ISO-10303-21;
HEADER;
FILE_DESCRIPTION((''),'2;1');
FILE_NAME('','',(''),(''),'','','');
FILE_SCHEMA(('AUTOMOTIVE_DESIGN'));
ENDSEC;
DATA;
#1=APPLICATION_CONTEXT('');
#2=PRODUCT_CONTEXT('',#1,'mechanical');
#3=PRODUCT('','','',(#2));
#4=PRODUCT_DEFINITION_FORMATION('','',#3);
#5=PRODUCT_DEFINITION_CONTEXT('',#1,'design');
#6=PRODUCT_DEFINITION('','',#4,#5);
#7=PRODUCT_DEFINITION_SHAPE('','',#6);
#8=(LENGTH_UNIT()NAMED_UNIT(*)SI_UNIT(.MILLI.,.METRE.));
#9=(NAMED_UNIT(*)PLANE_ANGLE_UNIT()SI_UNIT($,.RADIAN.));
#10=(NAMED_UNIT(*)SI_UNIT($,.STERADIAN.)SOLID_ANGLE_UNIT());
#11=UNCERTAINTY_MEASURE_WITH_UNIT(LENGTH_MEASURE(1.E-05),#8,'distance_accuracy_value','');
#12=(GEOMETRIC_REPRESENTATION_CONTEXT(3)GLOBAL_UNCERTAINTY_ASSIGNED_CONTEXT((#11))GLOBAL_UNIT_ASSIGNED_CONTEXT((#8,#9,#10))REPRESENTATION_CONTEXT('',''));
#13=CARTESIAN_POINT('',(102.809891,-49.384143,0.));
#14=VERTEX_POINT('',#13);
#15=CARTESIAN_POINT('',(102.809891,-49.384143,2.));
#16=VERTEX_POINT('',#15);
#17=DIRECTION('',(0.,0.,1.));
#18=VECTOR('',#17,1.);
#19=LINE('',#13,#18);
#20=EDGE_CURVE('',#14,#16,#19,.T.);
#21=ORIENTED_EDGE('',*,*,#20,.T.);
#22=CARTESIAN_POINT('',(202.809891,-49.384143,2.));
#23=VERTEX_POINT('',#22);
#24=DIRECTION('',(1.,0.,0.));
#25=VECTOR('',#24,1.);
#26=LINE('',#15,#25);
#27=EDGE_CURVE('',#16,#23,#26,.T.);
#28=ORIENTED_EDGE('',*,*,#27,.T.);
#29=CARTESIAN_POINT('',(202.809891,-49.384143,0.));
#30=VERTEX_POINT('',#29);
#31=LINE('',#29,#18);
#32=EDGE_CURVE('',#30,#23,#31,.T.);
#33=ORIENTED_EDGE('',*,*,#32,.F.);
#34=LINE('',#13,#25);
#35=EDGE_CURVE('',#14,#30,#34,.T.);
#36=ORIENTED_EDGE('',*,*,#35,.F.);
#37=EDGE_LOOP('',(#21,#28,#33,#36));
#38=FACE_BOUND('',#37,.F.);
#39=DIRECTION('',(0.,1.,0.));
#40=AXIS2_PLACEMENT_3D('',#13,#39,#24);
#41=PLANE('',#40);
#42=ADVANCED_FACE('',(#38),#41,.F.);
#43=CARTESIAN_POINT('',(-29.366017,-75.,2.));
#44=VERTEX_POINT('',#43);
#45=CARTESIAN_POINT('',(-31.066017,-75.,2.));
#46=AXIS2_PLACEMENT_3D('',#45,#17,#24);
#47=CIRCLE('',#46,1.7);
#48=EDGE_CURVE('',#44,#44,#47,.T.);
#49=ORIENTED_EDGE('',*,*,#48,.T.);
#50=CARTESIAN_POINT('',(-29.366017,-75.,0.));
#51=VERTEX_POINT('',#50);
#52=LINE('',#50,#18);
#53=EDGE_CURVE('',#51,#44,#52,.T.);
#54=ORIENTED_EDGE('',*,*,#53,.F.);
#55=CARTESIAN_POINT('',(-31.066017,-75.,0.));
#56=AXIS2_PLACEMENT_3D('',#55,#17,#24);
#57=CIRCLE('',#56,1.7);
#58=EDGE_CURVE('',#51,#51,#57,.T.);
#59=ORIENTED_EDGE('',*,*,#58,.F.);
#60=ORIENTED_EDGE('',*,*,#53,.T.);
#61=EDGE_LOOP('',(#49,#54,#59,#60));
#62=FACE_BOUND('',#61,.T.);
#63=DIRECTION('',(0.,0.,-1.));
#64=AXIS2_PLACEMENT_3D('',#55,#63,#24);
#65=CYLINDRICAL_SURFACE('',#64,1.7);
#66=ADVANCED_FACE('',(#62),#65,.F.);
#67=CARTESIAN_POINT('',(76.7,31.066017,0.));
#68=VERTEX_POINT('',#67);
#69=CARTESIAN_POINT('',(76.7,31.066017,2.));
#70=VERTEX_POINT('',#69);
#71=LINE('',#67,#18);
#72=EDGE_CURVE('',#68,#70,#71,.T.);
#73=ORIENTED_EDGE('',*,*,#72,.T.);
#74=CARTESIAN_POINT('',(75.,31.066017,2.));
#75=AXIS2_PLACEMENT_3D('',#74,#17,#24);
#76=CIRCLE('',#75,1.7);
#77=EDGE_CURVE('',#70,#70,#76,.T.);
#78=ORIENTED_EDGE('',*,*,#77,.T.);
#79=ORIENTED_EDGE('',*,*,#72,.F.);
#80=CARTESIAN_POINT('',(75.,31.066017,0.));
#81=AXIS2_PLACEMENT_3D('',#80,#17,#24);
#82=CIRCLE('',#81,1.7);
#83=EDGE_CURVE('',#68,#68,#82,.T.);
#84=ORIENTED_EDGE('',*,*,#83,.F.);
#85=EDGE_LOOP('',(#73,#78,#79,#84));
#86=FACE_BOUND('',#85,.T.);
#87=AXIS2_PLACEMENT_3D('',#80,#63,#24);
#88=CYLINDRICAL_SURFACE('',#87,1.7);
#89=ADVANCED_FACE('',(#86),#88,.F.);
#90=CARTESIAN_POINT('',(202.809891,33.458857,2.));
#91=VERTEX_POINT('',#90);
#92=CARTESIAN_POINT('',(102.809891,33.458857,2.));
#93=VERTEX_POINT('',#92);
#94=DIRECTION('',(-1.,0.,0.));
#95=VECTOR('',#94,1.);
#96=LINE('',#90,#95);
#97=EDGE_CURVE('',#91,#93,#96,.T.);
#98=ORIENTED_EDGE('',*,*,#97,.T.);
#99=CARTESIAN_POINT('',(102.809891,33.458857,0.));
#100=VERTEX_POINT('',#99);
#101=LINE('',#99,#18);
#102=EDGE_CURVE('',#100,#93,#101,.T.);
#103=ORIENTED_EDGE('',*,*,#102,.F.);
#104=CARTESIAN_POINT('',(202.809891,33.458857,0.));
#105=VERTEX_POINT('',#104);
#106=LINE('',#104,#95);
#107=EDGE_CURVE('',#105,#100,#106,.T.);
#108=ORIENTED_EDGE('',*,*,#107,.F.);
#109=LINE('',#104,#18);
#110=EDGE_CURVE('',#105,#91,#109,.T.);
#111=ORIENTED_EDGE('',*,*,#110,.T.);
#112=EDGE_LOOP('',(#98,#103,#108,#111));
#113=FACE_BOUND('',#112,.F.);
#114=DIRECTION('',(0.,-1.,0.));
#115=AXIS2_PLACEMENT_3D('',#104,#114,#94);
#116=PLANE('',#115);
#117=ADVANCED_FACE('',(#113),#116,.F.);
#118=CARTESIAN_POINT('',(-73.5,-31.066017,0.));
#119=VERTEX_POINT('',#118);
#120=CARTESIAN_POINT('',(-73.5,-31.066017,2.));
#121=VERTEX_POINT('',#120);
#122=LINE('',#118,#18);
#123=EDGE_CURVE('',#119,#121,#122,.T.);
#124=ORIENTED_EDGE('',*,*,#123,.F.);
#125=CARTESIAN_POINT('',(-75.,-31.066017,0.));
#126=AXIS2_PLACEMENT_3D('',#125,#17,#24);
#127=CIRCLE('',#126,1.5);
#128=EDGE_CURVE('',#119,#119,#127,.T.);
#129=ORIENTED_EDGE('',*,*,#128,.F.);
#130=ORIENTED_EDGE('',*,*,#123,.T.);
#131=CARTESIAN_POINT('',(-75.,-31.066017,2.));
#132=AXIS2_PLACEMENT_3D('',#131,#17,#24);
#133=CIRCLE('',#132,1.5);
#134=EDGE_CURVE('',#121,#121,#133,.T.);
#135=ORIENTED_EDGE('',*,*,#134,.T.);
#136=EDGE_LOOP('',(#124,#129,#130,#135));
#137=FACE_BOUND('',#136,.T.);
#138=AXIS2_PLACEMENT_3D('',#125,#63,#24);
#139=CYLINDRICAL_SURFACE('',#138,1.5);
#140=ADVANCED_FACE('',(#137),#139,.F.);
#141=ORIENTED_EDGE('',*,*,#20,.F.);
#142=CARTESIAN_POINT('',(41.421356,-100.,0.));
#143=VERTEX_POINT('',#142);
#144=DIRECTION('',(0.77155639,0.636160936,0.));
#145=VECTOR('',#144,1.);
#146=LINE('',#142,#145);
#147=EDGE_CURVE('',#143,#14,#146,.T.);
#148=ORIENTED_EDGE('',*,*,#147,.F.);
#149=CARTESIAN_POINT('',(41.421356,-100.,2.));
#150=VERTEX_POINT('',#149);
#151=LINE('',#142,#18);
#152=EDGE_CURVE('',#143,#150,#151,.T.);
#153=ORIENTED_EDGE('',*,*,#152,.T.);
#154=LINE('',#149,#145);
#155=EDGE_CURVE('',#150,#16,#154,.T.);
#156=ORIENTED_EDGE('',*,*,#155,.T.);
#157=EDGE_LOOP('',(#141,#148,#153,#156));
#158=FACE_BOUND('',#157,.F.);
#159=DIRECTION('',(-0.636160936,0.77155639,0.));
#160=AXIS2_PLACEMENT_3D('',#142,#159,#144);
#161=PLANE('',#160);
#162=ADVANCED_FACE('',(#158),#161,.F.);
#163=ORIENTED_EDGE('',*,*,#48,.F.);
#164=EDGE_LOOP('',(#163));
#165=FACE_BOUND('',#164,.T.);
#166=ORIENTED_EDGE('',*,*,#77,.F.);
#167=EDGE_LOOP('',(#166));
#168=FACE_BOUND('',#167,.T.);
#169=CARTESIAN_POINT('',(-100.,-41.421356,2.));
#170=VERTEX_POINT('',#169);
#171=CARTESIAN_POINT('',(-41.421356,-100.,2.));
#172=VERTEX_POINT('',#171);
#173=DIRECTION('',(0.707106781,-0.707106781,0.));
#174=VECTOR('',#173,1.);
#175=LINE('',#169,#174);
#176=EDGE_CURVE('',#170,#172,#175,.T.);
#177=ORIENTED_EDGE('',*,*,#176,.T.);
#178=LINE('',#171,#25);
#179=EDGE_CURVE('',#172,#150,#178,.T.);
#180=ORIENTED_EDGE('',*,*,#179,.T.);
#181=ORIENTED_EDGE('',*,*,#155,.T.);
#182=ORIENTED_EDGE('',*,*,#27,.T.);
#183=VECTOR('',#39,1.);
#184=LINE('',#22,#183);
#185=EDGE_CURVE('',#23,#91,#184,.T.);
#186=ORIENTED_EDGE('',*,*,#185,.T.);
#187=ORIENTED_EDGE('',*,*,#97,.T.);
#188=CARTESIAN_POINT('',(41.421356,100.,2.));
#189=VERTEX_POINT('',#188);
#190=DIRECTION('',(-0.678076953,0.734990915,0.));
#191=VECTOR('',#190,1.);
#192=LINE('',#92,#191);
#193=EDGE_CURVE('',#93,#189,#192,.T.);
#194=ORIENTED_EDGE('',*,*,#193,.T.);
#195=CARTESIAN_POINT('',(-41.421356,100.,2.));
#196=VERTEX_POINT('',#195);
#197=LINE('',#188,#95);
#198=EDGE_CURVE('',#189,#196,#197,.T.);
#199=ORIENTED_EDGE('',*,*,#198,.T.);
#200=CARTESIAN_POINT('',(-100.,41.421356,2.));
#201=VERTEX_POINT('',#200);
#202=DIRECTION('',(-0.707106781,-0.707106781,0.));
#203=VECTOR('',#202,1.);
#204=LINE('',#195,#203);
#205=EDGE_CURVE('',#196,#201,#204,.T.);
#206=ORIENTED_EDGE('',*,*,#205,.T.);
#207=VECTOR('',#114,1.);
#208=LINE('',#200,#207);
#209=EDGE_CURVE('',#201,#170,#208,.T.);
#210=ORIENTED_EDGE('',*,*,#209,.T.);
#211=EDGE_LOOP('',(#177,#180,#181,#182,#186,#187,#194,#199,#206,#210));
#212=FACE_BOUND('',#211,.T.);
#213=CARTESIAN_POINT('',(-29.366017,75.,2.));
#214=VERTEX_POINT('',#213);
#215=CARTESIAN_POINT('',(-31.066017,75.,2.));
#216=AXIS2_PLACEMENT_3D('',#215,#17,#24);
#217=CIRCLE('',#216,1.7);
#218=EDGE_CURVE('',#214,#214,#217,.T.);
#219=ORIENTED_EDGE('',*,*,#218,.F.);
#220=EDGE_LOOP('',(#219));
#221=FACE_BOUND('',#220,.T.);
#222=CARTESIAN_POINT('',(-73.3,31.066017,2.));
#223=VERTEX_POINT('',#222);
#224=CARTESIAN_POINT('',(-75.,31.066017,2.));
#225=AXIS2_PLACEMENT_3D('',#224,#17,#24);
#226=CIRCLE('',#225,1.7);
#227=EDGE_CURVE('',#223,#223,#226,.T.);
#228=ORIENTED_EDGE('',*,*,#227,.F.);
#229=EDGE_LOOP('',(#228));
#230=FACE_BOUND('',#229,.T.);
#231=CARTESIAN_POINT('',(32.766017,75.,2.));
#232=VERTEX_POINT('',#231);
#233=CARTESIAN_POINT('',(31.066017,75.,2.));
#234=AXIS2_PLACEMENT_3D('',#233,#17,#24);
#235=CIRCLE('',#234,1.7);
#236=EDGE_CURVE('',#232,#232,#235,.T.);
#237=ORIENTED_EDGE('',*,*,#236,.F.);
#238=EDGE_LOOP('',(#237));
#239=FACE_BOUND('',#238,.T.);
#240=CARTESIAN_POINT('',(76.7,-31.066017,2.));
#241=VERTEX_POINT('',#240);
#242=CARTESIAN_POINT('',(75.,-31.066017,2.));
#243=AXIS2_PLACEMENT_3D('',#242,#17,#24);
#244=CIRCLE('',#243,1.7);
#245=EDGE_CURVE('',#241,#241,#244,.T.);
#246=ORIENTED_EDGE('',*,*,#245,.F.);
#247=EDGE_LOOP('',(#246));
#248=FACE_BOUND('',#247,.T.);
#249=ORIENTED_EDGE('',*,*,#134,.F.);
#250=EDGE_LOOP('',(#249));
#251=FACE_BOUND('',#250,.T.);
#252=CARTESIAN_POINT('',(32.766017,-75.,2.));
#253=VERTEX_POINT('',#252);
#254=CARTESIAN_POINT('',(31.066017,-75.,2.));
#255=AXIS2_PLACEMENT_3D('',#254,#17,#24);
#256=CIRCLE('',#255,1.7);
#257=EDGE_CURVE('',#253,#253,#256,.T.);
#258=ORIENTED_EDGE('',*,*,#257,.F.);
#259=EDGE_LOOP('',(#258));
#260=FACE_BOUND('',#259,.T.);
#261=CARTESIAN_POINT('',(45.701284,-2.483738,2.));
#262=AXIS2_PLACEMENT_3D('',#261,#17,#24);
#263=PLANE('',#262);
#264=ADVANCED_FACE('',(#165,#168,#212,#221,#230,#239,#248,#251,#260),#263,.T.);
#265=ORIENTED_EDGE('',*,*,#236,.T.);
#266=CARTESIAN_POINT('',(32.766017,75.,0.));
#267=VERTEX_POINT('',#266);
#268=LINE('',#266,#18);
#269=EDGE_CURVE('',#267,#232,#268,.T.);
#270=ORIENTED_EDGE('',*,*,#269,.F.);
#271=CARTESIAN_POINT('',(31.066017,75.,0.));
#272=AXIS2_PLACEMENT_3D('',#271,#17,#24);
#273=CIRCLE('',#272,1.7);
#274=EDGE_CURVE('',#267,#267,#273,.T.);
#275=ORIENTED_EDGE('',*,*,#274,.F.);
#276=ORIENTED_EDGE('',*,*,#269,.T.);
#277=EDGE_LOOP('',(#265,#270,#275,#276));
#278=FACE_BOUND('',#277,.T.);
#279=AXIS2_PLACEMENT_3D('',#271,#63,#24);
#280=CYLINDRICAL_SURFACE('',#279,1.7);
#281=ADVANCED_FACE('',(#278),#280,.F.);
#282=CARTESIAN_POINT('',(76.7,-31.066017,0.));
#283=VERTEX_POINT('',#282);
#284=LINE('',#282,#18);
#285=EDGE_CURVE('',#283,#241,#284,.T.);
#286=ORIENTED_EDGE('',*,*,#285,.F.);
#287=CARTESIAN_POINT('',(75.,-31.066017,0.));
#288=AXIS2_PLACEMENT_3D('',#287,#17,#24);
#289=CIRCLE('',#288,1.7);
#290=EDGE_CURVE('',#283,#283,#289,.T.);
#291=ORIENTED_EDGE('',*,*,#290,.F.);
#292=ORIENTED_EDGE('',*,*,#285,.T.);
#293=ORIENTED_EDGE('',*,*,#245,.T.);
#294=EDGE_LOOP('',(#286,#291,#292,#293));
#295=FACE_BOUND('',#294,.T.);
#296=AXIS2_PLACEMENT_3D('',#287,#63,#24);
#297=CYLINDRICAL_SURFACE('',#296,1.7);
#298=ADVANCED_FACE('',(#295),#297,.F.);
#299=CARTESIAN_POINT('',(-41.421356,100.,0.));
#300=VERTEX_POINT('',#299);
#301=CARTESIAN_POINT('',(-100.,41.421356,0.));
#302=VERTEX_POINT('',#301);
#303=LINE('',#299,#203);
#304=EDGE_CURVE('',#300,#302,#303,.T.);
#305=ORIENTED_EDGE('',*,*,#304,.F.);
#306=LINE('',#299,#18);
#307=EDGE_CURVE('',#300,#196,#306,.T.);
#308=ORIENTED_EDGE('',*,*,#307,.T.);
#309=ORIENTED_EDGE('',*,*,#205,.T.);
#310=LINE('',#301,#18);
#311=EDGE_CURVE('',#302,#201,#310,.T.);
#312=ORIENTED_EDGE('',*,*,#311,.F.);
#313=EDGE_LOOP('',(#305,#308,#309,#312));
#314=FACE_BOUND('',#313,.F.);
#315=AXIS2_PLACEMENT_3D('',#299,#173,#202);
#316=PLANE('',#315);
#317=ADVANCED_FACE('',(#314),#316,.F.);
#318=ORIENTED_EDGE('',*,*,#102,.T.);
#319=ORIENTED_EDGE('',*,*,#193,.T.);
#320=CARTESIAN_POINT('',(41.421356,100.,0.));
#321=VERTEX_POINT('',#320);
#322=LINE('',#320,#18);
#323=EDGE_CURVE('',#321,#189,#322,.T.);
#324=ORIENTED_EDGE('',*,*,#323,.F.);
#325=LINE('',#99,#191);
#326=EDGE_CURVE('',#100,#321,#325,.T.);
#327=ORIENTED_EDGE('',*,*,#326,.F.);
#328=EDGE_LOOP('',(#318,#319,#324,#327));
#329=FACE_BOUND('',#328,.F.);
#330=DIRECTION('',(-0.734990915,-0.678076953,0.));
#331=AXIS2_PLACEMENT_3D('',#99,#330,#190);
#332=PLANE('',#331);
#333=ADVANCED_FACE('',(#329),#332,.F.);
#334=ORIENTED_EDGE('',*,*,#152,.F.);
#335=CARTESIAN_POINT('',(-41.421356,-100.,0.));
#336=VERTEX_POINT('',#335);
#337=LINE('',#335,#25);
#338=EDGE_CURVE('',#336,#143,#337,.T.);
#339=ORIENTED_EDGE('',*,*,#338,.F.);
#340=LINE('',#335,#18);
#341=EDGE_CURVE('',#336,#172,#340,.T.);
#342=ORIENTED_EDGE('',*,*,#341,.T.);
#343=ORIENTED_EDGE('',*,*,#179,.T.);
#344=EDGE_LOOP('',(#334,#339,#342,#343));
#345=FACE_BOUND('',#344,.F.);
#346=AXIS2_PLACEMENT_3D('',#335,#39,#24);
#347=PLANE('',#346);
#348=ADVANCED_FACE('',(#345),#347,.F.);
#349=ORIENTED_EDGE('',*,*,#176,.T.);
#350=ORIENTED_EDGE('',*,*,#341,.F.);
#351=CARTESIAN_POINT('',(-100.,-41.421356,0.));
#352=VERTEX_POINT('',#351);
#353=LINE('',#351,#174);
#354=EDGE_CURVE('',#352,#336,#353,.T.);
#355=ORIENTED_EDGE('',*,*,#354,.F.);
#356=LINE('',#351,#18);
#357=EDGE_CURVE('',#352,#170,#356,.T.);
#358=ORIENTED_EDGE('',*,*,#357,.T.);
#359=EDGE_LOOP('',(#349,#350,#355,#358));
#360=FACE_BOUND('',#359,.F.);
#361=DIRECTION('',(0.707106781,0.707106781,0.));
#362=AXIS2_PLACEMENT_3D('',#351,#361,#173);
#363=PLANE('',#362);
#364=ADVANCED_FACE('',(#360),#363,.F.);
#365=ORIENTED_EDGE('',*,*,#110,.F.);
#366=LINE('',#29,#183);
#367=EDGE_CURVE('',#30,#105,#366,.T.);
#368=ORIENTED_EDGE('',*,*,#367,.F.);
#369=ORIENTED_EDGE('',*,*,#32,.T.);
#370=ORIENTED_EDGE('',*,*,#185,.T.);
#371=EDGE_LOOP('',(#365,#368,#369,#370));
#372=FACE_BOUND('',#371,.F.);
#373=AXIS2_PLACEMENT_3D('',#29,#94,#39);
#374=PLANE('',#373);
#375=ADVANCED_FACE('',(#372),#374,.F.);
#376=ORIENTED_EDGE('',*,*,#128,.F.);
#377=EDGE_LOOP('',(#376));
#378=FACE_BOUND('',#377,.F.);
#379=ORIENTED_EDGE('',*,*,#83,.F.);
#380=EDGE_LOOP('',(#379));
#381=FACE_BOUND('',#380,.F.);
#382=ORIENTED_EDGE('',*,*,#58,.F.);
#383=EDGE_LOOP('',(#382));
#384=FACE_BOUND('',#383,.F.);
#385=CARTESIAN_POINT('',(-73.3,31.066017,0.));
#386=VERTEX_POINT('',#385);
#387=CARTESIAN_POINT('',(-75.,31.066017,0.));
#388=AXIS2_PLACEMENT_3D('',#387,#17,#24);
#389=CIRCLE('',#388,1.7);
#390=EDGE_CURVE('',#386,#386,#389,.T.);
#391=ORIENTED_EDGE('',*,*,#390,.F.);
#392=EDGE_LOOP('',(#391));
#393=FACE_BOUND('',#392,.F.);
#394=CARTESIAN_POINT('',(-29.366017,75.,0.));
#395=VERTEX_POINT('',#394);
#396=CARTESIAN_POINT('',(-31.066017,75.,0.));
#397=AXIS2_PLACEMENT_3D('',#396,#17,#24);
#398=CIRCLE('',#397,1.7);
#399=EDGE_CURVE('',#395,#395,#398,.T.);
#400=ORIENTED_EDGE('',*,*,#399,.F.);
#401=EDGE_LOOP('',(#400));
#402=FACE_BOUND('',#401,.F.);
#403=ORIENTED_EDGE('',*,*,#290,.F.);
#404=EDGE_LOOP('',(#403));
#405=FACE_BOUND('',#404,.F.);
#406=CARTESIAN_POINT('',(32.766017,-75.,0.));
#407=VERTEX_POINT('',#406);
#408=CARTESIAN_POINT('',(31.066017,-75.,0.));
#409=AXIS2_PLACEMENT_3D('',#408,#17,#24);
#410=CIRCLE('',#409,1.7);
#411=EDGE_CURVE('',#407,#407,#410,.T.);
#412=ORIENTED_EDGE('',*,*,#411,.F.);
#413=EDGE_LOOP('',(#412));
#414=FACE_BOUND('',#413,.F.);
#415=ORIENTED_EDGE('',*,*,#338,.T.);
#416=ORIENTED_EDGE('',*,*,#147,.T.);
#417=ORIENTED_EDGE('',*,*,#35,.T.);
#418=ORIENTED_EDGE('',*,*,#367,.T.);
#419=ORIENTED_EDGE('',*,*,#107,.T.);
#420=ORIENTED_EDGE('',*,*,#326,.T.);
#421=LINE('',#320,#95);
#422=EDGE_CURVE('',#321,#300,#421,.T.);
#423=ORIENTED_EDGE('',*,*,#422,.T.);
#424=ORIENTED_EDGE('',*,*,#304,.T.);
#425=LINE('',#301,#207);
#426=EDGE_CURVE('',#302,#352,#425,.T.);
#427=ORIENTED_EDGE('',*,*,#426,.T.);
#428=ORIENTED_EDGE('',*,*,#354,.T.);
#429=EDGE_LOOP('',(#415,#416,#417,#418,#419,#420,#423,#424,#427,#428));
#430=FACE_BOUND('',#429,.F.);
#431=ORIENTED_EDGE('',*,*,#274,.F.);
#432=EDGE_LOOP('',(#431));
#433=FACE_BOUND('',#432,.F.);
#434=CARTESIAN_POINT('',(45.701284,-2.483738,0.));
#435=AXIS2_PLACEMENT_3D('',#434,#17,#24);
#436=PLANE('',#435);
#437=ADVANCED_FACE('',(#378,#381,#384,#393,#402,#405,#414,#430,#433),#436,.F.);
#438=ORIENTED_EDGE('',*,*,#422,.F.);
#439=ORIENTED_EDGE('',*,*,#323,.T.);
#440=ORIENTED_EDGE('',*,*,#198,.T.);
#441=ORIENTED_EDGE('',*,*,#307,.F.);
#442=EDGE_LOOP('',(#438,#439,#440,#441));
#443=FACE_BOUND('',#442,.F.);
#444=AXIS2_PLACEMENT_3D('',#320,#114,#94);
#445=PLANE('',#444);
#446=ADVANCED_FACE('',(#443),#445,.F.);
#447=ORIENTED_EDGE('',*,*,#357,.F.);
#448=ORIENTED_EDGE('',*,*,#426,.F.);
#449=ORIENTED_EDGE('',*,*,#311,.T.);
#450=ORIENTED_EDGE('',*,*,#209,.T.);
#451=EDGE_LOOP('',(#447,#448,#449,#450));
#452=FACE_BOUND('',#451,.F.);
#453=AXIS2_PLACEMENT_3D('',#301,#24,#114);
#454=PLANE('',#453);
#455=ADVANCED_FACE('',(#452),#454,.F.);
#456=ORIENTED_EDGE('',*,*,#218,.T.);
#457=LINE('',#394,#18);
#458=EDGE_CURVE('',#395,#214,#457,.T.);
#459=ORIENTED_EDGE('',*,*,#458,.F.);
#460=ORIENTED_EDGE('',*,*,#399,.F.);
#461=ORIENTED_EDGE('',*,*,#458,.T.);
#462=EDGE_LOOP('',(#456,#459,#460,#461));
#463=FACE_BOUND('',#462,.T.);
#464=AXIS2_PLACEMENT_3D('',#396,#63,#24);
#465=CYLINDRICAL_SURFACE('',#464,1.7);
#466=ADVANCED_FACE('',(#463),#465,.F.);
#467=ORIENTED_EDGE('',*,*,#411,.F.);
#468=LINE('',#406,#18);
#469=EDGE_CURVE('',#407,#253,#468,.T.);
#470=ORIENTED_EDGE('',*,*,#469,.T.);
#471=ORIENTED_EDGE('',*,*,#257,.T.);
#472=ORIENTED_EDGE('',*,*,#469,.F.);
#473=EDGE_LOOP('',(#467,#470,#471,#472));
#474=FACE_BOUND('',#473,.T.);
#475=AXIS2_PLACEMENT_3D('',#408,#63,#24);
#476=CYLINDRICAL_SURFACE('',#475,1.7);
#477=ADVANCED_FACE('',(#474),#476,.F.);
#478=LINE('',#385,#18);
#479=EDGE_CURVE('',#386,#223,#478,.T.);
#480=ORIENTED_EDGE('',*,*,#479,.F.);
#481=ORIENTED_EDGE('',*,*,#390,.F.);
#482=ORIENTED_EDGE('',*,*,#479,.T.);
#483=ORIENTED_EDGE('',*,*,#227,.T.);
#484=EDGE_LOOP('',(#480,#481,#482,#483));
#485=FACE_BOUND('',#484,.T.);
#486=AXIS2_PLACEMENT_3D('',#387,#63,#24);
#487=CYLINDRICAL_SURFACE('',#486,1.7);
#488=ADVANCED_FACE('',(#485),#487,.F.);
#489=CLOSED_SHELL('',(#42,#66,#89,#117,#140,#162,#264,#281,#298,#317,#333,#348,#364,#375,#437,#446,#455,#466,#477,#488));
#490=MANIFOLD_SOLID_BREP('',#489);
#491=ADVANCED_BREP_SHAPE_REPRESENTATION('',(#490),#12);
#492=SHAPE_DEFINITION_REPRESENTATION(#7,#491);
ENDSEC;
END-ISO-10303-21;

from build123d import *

# Parameters (mm, degrees)
F0_R     = 1.7
F0_R_2   = 1.5
F1_DEPTH = 2


with BuildPart() as f1:
    # F0 (on Top) → F1 (new body)
    with BuildSketch(Plane.XY):
        Polygon((41.421356, 100), (-41.421356, 100), (-100, 41.421356), (-100, -41.421356), (-41.421356, -100), (41.421356, -100), (102.809891, -49.384143), (202.809891, -49.384143), (202.809891, 33.458857), (102.809891, 33.458857), align=None)
        with Locations((-31.066017, -75)):
            Circle(F0_R, mode=Mode.SUBTRACT)
        with Locations((31.066017, -75)):
            Circle(F0_R, mode=Mode.SUBTRACT)
        with Locations((-75, -31.066017)):
            Circle(F0_R_2, mode=Mode.SUBTRACT)
        with Locations((75, -31.066017)):
            Circle(F0_R, mode=Mode.SUBTRACT)
        with Locations((-75, 31.066017)):
            Circle(F0_R, mode=Mode.SUBTRACT)
        with Locations((-31.066017, 75)):
            Circle(F0_R, mode=Mode.SUBTRACT)
        with Locations((31.066017, 75)):
            Circle(F0_R, mode=Mode.SUBTRACT)
        with Locations((75, 31.066017)):
            Circle(F0_R, mode=Mode.SUBTRACT)
    extrude(amount=F1_DEPTH)


solid = f1.part
